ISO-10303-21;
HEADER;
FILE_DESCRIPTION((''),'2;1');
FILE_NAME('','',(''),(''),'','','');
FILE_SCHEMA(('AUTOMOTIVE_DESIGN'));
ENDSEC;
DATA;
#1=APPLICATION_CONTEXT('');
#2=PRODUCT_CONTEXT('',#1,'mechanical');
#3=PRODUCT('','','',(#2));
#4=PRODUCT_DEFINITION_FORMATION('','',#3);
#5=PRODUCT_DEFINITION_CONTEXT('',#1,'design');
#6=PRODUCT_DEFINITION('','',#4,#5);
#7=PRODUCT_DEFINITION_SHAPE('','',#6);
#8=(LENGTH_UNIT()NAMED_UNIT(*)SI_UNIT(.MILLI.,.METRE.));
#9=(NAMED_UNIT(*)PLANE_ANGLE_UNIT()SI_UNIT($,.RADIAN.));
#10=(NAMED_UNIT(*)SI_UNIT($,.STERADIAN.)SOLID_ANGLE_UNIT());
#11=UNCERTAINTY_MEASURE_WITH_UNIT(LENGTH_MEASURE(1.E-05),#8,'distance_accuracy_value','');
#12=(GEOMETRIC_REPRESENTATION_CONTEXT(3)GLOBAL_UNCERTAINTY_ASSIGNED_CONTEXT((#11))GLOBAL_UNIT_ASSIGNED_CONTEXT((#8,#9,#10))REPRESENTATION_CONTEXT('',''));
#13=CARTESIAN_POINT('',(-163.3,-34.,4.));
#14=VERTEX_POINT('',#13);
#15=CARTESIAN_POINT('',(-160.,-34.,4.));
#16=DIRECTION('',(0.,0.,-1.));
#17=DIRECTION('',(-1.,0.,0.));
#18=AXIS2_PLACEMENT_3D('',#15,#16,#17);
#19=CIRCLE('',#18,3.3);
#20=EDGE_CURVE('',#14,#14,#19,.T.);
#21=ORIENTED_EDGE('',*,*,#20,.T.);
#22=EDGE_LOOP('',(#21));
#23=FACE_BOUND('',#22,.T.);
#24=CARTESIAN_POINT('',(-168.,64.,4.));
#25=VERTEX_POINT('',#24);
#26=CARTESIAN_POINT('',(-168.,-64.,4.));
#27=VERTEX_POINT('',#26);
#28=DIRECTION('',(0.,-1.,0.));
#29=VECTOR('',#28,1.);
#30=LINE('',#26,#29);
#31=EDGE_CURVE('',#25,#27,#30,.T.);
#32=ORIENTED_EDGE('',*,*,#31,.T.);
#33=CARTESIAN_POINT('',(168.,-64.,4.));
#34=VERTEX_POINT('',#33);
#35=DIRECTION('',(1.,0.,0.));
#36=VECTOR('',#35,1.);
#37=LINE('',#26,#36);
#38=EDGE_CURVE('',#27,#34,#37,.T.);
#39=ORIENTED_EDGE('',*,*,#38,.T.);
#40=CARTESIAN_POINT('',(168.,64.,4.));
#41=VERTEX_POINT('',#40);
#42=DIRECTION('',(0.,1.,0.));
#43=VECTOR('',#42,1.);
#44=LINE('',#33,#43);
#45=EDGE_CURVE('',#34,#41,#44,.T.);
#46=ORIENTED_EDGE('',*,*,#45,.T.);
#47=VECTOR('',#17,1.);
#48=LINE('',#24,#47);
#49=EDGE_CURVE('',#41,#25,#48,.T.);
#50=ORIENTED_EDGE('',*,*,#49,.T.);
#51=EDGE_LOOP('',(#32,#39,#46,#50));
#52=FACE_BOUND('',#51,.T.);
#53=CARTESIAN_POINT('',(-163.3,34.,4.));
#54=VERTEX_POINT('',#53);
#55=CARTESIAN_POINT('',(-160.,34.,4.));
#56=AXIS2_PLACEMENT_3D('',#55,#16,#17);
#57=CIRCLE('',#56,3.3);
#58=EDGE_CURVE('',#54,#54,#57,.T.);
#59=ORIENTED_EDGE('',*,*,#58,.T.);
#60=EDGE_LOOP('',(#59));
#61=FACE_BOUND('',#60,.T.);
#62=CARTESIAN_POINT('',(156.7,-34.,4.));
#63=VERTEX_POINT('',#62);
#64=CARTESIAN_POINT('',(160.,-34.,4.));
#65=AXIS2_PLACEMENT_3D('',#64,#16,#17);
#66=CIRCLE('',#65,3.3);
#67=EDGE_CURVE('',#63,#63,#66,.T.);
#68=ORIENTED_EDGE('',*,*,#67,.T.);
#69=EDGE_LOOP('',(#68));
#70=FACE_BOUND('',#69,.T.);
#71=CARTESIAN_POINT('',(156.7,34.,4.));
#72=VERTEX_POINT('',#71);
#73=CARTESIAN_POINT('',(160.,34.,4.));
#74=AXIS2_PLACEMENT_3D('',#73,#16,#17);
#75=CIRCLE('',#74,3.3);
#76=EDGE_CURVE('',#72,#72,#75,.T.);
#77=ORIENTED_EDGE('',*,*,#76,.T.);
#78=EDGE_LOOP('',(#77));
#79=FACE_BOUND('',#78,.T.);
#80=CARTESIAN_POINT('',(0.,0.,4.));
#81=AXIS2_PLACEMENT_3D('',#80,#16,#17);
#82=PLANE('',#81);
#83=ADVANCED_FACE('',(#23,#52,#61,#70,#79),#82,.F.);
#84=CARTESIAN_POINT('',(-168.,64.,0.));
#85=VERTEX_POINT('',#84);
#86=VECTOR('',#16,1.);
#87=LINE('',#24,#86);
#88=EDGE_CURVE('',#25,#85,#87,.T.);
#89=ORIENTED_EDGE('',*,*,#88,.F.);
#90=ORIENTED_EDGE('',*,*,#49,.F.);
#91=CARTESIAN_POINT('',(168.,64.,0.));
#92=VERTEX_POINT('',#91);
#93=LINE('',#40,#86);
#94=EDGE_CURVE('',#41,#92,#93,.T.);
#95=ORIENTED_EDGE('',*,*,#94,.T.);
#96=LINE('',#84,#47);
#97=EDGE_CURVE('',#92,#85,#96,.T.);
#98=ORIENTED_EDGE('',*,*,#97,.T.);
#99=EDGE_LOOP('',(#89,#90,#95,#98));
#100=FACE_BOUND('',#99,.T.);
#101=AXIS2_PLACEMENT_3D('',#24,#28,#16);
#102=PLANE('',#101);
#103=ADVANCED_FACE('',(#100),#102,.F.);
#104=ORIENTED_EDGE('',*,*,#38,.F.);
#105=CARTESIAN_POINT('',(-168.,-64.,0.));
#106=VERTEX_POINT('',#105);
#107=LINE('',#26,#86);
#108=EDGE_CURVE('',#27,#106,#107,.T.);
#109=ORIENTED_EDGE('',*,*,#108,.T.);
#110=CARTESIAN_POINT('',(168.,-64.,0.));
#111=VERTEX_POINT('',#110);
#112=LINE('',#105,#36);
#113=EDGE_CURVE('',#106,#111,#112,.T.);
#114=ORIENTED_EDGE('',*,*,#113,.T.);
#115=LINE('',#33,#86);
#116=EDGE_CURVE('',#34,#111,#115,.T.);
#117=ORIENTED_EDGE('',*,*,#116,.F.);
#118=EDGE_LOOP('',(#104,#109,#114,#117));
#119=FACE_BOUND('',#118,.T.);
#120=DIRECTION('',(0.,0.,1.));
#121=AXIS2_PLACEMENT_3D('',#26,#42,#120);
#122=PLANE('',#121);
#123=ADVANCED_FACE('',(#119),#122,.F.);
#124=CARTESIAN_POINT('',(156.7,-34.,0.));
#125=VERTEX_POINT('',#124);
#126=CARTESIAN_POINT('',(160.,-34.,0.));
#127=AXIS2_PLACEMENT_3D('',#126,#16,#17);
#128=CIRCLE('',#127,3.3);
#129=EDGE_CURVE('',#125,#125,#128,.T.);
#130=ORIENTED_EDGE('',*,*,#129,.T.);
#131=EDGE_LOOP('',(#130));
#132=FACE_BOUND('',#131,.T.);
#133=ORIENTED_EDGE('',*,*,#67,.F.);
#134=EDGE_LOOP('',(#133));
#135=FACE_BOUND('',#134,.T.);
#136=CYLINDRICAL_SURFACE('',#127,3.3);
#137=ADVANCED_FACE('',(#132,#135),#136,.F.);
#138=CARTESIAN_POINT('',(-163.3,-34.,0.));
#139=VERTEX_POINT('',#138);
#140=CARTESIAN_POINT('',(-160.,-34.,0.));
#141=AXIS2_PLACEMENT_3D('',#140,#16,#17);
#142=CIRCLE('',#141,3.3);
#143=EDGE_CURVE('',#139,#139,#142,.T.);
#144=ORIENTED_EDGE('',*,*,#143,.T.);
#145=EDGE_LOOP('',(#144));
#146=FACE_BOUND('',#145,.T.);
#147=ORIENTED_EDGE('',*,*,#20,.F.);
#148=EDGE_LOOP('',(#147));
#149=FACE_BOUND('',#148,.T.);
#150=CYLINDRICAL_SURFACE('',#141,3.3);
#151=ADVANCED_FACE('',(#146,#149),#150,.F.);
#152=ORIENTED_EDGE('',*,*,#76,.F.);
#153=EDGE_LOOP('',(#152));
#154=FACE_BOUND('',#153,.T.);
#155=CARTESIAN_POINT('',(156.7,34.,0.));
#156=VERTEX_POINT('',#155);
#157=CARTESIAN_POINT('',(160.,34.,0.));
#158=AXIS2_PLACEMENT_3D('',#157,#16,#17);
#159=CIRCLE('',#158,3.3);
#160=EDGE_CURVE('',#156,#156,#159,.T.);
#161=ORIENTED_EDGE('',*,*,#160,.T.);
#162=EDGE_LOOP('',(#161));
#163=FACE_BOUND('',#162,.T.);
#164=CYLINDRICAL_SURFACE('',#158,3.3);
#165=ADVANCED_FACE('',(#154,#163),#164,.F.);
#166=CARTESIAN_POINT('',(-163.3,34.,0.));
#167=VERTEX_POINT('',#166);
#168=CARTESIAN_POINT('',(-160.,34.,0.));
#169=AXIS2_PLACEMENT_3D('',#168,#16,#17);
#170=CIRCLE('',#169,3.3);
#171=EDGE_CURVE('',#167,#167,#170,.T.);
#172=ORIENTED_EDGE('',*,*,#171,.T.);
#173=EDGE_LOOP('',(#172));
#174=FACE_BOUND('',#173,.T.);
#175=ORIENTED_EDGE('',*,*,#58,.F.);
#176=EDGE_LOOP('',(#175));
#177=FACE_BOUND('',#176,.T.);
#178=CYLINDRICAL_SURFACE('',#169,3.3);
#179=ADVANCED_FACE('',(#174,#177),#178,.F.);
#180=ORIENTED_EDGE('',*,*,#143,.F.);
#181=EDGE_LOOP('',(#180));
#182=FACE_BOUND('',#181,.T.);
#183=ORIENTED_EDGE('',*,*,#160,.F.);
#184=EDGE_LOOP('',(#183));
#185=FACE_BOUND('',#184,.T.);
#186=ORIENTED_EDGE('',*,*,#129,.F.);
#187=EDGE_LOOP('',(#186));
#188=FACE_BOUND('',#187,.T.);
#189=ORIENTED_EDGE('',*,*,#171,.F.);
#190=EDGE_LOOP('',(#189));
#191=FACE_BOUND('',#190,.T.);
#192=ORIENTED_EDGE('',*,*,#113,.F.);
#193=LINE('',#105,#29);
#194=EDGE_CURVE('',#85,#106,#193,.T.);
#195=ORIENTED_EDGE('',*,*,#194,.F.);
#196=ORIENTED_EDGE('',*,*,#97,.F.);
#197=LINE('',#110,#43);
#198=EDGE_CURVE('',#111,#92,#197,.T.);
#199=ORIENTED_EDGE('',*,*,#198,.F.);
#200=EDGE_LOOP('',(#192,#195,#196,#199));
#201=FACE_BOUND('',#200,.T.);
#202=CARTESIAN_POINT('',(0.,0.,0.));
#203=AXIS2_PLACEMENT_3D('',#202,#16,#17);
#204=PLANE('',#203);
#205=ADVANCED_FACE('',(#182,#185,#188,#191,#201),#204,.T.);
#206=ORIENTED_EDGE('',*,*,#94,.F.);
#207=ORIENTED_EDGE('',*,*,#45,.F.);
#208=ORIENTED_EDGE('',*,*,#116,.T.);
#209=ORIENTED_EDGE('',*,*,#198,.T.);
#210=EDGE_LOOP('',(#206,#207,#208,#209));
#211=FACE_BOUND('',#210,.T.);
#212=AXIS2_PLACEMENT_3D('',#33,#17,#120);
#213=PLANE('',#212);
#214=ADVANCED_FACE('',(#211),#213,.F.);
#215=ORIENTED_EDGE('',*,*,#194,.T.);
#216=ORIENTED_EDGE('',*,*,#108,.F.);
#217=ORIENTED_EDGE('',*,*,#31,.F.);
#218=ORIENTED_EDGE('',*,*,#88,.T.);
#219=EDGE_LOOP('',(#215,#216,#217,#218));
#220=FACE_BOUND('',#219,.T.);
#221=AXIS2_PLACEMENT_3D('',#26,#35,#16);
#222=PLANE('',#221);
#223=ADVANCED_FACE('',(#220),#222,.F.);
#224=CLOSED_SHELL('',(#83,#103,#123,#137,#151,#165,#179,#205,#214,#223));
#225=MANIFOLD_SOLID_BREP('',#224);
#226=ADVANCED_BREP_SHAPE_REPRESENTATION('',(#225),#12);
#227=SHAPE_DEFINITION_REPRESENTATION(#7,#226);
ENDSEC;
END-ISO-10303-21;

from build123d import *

# Parameters (mm, degrees)
ESQUISSE1_W        = 336
ESQUISSE1_H        = 128
BOSS_EXTRU_1_DEPTH = 4
D_GAGEMENT_M61_D   = 6.6


with BuildPart() as part:
    # Esquisse1 → Boss.-Extru.1 (new body)
    with BuildSketch(Plane.XY):
        Rectangle(ESQUISSE1_W, ESQUISSE1_H)
    extrude(amount=BOSS_EXTRU_1_DEPTH)

    # Dégagement M61 (through all)
    with Locations(Plane(origin=(-160, 34, 0), x_dir=(-1, 0, 0), z_dir=(0, 0, -1))):
        with Locations((0, 0), (0, -68), (-320, -68), (-320, 0)):
            Hole(D_GAGEMENT_M61_D / 2)


solid = part.part
